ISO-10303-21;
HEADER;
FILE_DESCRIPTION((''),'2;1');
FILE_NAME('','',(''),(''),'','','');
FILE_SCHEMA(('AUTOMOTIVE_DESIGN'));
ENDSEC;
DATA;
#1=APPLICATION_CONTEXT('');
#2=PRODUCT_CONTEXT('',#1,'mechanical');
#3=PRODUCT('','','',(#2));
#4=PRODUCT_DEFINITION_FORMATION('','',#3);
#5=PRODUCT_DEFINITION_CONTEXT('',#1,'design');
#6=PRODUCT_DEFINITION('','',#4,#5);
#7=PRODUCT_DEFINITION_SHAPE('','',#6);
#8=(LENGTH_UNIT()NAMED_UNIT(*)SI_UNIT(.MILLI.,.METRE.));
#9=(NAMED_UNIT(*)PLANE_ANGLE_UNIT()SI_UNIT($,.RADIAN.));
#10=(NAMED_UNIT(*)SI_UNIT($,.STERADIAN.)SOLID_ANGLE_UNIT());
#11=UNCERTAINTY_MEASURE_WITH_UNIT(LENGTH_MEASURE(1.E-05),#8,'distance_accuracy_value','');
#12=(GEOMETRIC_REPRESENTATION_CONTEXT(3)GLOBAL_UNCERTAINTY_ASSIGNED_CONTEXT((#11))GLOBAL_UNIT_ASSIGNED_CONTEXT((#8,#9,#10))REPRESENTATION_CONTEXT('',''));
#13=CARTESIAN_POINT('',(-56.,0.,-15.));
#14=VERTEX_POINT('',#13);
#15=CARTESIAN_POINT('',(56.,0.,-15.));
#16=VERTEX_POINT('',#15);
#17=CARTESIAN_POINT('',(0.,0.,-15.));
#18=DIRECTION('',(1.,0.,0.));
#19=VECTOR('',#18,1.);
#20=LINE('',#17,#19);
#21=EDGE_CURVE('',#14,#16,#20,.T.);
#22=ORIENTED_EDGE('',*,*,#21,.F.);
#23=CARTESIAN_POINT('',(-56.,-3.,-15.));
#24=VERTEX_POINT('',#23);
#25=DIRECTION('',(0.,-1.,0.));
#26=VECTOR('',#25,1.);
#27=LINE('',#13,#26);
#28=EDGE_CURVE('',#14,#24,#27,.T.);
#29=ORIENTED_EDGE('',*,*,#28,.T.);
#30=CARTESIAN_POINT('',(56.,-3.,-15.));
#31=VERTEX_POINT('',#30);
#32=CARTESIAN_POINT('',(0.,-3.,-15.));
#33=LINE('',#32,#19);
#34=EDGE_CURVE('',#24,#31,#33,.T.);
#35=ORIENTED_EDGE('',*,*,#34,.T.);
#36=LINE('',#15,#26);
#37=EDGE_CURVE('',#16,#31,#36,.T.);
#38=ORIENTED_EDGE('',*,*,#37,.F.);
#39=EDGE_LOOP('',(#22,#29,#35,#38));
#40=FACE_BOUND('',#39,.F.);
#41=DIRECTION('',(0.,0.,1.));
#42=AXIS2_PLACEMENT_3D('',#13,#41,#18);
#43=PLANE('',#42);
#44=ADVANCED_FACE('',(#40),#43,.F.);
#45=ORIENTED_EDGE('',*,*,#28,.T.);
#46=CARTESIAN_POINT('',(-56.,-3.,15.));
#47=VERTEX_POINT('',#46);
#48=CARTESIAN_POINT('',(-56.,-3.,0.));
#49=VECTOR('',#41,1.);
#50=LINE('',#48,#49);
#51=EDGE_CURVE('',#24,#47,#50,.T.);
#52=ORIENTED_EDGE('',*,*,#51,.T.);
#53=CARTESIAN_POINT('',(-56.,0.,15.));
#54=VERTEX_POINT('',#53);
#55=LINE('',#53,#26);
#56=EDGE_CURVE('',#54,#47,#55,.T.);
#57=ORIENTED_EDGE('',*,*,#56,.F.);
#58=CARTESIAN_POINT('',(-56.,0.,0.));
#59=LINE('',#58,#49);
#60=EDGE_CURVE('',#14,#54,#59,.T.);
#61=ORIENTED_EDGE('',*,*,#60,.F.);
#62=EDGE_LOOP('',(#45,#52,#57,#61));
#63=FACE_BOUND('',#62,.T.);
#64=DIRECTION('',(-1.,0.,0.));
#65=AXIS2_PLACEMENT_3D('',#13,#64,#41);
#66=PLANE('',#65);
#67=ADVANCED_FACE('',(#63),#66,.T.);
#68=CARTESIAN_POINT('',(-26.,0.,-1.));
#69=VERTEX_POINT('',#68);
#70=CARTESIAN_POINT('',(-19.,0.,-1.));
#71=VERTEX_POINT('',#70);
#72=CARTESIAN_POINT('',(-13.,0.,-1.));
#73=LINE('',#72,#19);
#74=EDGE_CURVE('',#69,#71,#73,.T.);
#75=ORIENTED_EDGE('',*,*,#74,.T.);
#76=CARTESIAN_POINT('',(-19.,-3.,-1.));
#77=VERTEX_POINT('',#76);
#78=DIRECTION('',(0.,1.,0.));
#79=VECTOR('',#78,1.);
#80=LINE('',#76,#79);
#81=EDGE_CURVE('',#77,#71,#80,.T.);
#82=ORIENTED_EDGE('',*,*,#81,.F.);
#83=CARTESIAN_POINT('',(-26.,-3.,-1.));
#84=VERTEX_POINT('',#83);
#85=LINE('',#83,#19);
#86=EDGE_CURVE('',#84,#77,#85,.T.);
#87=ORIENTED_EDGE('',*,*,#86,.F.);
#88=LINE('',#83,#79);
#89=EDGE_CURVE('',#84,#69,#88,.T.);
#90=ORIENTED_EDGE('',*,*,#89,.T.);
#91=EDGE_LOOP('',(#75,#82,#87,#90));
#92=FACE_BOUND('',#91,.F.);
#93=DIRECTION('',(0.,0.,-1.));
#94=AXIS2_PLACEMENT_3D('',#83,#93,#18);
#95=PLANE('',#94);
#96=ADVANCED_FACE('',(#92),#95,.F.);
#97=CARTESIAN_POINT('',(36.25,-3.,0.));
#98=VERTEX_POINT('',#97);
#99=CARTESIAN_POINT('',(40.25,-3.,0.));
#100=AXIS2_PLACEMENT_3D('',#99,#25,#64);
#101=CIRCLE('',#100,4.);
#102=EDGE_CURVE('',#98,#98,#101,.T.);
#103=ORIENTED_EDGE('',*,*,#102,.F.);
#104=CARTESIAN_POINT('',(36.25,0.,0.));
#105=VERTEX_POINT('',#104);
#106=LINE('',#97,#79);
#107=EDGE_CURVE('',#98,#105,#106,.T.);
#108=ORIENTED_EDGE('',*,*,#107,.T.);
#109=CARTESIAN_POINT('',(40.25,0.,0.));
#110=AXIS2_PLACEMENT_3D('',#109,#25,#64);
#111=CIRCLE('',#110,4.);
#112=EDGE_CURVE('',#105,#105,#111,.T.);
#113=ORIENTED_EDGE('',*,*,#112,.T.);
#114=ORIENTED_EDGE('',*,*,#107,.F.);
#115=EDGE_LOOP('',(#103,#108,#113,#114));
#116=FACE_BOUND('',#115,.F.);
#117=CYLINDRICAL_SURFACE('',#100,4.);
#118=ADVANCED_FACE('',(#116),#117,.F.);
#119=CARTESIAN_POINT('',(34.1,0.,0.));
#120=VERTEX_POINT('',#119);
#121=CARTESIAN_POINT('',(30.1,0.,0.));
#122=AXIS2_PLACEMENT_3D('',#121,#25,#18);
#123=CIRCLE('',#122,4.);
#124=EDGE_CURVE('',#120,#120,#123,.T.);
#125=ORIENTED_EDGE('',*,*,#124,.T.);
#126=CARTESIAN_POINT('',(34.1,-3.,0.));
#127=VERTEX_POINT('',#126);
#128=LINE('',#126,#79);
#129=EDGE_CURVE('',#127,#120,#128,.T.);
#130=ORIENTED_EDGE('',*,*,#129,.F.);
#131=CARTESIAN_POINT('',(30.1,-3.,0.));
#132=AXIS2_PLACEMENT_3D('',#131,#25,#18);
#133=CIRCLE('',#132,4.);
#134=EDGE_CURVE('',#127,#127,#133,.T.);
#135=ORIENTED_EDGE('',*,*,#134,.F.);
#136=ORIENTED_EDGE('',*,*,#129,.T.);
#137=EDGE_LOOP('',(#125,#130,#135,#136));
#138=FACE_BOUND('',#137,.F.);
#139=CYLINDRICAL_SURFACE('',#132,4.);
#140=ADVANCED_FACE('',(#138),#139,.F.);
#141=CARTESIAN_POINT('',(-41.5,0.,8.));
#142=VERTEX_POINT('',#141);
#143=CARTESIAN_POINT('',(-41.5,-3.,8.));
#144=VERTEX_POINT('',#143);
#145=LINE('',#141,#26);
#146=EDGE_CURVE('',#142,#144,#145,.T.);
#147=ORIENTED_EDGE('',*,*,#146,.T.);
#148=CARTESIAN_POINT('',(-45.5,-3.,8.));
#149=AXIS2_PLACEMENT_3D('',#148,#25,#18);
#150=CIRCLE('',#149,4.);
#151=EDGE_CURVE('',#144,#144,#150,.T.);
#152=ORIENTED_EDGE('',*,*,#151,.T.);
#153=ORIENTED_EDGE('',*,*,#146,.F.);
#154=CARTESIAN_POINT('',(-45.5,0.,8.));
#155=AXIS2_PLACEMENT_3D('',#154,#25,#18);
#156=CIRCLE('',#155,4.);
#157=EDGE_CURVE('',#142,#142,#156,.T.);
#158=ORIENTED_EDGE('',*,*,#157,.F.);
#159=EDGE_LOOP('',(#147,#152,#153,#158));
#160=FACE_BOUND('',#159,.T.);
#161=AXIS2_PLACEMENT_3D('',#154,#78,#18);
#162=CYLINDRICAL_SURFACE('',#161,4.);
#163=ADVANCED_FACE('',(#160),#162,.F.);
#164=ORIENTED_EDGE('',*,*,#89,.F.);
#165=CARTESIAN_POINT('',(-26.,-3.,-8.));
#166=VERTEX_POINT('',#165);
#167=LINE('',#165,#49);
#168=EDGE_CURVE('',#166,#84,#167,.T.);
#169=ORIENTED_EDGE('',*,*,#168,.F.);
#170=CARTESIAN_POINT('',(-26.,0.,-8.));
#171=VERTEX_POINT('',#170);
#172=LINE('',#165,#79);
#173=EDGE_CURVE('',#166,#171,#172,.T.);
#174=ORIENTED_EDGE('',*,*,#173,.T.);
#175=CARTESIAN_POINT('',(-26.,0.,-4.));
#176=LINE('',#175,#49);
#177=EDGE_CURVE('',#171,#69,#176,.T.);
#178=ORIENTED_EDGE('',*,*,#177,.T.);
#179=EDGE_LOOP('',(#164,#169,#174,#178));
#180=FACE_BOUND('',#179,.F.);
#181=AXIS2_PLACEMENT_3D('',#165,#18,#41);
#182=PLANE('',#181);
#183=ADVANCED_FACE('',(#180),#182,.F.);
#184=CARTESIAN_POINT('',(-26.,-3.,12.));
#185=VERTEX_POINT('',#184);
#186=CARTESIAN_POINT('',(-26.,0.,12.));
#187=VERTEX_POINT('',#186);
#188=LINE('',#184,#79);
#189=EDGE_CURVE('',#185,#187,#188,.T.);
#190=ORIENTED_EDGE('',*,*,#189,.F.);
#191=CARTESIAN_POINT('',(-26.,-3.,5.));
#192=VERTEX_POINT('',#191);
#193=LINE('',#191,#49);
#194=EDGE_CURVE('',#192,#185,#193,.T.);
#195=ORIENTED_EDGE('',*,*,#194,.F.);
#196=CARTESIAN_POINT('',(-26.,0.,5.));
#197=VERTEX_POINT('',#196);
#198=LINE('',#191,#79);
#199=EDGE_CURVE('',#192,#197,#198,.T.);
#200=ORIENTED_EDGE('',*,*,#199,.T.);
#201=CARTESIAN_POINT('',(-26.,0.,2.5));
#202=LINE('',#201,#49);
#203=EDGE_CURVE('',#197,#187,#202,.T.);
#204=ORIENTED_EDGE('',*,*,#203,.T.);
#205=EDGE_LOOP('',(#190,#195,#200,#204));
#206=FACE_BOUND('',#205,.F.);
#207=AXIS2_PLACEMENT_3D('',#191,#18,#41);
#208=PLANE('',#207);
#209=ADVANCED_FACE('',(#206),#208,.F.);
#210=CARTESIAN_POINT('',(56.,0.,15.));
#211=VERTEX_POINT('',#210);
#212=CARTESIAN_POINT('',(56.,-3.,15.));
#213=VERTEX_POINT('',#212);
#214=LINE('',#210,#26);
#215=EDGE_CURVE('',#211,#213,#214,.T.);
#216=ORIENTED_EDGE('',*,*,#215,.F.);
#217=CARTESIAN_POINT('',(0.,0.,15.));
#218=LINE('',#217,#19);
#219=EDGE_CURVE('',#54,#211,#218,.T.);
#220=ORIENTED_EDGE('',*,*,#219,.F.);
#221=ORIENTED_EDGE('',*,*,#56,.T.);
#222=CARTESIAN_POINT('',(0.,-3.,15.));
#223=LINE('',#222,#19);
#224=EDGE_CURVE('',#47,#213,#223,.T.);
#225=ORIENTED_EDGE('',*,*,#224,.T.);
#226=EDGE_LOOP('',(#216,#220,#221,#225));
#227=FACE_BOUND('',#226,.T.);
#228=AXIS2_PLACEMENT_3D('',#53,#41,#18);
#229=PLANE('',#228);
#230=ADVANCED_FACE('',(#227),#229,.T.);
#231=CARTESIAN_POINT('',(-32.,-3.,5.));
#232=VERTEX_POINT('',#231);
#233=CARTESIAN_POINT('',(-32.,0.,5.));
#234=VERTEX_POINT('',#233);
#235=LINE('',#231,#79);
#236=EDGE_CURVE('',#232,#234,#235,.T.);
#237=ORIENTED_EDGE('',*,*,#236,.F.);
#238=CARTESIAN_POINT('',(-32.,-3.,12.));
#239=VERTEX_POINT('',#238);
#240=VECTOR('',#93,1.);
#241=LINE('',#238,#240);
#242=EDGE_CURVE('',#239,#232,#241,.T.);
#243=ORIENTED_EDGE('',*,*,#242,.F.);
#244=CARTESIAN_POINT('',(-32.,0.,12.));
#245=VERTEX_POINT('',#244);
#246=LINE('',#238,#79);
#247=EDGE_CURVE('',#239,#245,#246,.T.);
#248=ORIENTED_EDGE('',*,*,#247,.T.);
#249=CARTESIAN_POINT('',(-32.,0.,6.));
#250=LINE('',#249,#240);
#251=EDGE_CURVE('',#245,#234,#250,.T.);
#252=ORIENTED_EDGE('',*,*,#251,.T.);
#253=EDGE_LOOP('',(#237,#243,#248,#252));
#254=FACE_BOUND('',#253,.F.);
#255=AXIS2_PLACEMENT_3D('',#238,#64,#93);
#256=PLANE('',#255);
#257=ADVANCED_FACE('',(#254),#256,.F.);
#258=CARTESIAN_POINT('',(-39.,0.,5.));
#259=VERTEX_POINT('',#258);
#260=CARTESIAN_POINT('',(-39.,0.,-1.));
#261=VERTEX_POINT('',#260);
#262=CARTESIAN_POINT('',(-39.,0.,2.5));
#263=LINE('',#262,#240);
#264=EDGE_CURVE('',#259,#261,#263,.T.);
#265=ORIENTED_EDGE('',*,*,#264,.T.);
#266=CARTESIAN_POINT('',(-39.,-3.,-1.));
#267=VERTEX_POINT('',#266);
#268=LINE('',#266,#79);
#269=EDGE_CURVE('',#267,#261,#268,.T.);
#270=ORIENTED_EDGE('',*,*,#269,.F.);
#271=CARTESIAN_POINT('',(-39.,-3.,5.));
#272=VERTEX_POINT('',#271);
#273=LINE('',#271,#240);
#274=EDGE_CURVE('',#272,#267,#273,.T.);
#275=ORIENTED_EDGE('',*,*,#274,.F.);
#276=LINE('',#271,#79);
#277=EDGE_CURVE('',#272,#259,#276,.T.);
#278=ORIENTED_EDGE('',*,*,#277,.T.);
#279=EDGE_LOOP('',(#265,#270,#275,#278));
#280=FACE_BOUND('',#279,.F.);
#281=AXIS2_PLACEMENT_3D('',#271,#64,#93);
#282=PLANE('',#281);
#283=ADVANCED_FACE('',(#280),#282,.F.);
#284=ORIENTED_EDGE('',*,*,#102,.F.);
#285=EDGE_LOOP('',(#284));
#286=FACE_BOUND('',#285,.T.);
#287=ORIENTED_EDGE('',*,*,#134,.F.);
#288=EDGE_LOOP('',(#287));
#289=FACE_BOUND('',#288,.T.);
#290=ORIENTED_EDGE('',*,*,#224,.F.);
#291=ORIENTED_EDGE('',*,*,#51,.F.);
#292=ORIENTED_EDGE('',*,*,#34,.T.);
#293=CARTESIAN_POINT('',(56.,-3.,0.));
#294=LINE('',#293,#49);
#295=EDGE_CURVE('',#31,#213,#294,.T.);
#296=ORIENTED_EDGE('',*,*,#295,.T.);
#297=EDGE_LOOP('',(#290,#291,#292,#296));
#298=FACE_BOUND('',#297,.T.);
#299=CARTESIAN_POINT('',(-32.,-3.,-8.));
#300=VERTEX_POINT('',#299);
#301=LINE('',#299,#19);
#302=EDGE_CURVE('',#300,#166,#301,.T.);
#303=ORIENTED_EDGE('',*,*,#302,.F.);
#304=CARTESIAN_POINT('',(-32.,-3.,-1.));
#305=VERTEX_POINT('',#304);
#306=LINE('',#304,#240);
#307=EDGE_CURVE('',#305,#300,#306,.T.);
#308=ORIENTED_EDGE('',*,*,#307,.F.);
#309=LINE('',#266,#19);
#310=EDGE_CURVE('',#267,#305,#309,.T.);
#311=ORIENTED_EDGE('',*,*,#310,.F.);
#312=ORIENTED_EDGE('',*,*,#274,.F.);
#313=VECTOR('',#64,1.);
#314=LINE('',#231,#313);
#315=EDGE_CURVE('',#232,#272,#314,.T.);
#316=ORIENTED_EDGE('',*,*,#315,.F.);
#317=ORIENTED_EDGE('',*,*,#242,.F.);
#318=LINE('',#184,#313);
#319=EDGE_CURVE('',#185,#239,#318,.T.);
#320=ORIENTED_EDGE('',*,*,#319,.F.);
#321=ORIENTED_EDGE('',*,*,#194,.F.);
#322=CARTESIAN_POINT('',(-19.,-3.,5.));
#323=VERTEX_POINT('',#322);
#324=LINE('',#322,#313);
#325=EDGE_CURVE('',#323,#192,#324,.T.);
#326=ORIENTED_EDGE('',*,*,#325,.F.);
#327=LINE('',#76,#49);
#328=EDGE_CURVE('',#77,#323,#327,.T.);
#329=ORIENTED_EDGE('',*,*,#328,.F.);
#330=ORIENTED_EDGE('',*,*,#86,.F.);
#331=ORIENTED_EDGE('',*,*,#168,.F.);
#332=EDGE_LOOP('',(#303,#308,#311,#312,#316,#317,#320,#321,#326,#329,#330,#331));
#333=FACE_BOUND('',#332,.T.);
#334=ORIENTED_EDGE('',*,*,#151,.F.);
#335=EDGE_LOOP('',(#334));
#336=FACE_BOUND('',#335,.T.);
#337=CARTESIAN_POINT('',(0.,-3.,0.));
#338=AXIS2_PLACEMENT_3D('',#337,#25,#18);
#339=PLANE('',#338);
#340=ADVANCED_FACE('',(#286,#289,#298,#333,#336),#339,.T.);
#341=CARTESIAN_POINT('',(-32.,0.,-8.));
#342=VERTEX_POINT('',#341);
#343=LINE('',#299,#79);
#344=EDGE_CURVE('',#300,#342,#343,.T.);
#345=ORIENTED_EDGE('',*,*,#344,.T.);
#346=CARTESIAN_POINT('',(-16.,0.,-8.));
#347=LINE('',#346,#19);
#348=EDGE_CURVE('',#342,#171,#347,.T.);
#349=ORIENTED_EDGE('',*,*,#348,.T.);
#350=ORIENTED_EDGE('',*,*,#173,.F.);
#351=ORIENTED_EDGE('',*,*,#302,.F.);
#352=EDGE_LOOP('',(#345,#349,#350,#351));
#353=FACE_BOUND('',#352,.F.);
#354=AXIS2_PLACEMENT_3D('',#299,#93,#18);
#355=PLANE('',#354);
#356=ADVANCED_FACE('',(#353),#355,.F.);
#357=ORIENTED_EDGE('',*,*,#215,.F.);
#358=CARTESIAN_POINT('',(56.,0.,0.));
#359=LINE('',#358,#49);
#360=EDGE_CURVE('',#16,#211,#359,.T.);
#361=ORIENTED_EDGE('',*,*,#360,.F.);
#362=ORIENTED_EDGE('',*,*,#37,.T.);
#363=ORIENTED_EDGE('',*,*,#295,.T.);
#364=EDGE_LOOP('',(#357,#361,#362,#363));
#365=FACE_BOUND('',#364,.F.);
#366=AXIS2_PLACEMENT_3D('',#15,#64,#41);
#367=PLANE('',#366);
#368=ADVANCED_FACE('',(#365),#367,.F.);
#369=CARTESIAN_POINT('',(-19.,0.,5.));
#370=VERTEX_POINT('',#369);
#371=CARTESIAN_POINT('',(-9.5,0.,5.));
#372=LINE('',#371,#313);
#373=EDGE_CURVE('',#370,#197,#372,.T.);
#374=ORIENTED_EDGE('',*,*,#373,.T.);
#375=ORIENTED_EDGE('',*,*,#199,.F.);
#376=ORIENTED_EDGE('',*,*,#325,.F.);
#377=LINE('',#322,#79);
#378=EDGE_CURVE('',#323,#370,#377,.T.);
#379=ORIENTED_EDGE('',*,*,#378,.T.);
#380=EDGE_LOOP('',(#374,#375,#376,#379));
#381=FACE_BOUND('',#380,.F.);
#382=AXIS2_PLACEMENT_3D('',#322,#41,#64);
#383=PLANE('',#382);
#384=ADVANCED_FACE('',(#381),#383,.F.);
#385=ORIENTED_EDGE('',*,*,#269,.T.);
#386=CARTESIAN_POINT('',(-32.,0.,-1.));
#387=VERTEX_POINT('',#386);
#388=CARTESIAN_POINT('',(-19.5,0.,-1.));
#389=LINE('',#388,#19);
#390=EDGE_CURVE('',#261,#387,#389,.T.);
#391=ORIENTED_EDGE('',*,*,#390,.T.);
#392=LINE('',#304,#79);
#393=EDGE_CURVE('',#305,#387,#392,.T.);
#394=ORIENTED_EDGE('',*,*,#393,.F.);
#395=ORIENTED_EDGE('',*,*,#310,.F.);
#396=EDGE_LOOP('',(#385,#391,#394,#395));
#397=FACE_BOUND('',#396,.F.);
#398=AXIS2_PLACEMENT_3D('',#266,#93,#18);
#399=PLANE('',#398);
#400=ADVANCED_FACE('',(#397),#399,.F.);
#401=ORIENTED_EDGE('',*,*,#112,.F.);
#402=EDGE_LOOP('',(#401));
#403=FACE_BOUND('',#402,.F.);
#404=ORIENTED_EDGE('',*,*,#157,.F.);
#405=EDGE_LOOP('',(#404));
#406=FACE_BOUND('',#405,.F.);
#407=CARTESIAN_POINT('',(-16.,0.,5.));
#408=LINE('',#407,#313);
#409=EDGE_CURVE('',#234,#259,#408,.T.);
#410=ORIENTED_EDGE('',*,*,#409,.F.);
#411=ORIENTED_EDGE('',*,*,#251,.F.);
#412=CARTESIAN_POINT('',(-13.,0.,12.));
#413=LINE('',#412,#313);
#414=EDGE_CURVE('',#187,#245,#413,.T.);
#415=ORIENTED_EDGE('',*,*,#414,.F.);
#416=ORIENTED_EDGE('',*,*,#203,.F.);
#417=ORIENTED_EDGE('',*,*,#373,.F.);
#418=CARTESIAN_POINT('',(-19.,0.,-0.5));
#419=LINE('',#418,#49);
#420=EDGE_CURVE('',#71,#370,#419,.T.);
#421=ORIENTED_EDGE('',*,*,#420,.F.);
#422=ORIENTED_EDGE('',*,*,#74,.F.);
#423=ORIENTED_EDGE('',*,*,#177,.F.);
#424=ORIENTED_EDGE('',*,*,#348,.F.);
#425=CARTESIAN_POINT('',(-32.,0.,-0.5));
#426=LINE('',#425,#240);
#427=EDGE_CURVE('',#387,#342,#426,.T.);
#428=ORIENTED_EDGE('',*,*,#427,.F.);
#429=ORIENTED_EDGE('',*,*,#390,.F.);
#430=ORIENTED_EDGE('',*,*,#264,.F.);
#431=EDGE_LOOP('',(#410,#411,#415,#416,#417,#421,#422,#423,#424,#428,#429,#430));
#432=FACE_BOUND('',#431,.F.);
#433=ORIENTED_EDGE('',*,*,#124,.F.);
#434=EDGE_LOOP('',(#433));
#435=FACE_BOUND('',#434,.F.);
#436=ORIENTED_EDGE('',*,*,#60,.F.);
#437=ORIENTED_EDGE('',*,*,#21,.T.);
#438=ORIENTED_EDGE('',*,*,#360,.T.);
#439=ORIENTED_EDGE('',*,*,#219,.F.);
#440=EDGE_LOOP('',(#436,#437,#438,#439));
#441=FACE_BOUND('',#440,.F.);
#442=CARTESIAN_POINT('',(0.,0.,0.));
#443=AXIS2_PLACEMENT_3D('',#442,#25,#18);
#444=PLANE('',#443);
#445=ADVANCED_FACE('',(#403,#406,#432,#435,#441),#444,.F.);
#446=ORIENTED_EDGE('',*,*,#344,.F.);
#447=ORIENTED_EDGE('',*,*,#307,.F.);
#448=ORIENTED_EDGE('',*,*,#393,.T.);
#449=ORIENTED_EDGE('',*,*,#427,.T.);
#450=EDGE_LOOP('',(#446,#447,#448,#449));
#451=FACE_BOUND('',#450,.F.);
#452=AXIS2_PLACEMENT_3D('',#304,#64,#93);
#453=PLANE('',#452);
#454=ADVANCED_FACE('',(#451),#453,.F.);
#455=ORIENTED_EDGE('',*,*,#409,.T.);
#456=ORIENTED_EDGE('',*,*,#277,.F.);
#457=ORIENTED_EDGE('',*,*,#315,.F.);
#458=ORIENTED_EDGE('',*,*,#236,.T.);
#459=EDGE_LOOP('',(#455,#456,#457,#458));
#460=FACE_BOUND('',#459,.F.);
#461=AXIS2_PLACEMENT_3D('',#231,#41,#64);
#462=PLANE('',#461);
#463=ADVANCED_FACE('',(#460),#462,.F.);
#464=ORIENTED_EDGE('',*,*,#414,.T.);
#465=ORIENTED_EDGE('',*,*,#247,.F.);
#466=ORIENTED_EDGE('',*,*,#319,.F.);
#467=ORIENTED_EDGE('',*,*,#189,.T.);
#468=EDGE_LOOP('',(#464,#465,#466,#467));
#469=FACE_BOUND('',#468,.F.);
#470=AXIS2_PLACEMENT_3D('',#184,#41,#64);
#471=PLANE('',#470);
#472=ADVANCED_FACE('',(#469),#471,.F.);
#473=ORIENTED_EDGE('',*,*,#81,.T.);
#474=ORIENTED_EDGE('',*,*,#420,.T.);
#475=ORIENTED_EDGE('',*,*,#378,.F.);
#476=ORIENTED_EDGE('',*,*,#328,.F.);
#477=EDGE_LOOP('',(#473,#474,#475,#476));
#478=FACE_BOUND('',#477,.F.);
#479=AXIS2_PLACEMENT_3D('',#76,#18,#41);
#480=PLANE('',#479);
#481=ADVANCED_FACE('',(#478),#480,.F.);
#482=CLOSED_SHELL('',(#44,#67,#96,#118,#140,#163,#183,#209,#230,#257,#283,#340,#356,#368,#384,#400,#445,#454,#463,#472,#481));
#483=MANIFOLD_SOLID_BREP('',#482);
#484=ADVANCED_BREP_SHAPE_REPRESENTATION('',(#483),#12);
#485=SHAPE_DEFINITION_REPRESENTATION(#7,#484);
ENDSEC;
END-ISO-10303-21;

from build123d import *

# Parameters (mm, degrees)
F0_W     = 112
F0_H     = 30
F0_R     = 4
F1_DEPTH = 3
F3_DEPTH = 25
F4_R     = 4
F5_DEPTH = 25


with BuildPart() as f1:
    # F0 (on Front) → F1 (new body)
    with BuildSketch(Plane.XZ):
        Rectangle(F0_W, F0_H)
        with Locations((-45.5, 8)):
            Circle(F0_R, mode=Mode.SUBTRACT)
    extrude(amount=F1_DEPTH)

    # F2 (on face) → F3 (cut)
    with BuildSketch(Plane.XZ.offset(3)):
        Polygon((-39, 5), (-39, 2), (-39, -1), (-32, -1), (-32, -8), (-29, -8), (-26, -8), (-26, -1), (-19, -1), (-19, 2), (-19, 5), (-26, 5), (-26, 12), (-29, 12), (-32, 12), (-32, 5), align=None)
    extrude(amount=-F3_DEPTH, mode=Mode.SUBTRACT)

    # F4 (on face) → F5 (cut)
    with BuildSketch(Plane.XZ.offset(3)):
        with Locations((30.1, 0)):
            Circle(F4_R)
        with BuildLine():
            ThreePointArc((44.25, 0), (40.25, 4), (36.25, 0))
            ThreePointArc((36.25, 0), (40.25, -4), (44.25, 0))
        make_face()
    extrude(amount=-F5_DEPTH, mode=Mode.SUBTRACT)


solid = f1.part
